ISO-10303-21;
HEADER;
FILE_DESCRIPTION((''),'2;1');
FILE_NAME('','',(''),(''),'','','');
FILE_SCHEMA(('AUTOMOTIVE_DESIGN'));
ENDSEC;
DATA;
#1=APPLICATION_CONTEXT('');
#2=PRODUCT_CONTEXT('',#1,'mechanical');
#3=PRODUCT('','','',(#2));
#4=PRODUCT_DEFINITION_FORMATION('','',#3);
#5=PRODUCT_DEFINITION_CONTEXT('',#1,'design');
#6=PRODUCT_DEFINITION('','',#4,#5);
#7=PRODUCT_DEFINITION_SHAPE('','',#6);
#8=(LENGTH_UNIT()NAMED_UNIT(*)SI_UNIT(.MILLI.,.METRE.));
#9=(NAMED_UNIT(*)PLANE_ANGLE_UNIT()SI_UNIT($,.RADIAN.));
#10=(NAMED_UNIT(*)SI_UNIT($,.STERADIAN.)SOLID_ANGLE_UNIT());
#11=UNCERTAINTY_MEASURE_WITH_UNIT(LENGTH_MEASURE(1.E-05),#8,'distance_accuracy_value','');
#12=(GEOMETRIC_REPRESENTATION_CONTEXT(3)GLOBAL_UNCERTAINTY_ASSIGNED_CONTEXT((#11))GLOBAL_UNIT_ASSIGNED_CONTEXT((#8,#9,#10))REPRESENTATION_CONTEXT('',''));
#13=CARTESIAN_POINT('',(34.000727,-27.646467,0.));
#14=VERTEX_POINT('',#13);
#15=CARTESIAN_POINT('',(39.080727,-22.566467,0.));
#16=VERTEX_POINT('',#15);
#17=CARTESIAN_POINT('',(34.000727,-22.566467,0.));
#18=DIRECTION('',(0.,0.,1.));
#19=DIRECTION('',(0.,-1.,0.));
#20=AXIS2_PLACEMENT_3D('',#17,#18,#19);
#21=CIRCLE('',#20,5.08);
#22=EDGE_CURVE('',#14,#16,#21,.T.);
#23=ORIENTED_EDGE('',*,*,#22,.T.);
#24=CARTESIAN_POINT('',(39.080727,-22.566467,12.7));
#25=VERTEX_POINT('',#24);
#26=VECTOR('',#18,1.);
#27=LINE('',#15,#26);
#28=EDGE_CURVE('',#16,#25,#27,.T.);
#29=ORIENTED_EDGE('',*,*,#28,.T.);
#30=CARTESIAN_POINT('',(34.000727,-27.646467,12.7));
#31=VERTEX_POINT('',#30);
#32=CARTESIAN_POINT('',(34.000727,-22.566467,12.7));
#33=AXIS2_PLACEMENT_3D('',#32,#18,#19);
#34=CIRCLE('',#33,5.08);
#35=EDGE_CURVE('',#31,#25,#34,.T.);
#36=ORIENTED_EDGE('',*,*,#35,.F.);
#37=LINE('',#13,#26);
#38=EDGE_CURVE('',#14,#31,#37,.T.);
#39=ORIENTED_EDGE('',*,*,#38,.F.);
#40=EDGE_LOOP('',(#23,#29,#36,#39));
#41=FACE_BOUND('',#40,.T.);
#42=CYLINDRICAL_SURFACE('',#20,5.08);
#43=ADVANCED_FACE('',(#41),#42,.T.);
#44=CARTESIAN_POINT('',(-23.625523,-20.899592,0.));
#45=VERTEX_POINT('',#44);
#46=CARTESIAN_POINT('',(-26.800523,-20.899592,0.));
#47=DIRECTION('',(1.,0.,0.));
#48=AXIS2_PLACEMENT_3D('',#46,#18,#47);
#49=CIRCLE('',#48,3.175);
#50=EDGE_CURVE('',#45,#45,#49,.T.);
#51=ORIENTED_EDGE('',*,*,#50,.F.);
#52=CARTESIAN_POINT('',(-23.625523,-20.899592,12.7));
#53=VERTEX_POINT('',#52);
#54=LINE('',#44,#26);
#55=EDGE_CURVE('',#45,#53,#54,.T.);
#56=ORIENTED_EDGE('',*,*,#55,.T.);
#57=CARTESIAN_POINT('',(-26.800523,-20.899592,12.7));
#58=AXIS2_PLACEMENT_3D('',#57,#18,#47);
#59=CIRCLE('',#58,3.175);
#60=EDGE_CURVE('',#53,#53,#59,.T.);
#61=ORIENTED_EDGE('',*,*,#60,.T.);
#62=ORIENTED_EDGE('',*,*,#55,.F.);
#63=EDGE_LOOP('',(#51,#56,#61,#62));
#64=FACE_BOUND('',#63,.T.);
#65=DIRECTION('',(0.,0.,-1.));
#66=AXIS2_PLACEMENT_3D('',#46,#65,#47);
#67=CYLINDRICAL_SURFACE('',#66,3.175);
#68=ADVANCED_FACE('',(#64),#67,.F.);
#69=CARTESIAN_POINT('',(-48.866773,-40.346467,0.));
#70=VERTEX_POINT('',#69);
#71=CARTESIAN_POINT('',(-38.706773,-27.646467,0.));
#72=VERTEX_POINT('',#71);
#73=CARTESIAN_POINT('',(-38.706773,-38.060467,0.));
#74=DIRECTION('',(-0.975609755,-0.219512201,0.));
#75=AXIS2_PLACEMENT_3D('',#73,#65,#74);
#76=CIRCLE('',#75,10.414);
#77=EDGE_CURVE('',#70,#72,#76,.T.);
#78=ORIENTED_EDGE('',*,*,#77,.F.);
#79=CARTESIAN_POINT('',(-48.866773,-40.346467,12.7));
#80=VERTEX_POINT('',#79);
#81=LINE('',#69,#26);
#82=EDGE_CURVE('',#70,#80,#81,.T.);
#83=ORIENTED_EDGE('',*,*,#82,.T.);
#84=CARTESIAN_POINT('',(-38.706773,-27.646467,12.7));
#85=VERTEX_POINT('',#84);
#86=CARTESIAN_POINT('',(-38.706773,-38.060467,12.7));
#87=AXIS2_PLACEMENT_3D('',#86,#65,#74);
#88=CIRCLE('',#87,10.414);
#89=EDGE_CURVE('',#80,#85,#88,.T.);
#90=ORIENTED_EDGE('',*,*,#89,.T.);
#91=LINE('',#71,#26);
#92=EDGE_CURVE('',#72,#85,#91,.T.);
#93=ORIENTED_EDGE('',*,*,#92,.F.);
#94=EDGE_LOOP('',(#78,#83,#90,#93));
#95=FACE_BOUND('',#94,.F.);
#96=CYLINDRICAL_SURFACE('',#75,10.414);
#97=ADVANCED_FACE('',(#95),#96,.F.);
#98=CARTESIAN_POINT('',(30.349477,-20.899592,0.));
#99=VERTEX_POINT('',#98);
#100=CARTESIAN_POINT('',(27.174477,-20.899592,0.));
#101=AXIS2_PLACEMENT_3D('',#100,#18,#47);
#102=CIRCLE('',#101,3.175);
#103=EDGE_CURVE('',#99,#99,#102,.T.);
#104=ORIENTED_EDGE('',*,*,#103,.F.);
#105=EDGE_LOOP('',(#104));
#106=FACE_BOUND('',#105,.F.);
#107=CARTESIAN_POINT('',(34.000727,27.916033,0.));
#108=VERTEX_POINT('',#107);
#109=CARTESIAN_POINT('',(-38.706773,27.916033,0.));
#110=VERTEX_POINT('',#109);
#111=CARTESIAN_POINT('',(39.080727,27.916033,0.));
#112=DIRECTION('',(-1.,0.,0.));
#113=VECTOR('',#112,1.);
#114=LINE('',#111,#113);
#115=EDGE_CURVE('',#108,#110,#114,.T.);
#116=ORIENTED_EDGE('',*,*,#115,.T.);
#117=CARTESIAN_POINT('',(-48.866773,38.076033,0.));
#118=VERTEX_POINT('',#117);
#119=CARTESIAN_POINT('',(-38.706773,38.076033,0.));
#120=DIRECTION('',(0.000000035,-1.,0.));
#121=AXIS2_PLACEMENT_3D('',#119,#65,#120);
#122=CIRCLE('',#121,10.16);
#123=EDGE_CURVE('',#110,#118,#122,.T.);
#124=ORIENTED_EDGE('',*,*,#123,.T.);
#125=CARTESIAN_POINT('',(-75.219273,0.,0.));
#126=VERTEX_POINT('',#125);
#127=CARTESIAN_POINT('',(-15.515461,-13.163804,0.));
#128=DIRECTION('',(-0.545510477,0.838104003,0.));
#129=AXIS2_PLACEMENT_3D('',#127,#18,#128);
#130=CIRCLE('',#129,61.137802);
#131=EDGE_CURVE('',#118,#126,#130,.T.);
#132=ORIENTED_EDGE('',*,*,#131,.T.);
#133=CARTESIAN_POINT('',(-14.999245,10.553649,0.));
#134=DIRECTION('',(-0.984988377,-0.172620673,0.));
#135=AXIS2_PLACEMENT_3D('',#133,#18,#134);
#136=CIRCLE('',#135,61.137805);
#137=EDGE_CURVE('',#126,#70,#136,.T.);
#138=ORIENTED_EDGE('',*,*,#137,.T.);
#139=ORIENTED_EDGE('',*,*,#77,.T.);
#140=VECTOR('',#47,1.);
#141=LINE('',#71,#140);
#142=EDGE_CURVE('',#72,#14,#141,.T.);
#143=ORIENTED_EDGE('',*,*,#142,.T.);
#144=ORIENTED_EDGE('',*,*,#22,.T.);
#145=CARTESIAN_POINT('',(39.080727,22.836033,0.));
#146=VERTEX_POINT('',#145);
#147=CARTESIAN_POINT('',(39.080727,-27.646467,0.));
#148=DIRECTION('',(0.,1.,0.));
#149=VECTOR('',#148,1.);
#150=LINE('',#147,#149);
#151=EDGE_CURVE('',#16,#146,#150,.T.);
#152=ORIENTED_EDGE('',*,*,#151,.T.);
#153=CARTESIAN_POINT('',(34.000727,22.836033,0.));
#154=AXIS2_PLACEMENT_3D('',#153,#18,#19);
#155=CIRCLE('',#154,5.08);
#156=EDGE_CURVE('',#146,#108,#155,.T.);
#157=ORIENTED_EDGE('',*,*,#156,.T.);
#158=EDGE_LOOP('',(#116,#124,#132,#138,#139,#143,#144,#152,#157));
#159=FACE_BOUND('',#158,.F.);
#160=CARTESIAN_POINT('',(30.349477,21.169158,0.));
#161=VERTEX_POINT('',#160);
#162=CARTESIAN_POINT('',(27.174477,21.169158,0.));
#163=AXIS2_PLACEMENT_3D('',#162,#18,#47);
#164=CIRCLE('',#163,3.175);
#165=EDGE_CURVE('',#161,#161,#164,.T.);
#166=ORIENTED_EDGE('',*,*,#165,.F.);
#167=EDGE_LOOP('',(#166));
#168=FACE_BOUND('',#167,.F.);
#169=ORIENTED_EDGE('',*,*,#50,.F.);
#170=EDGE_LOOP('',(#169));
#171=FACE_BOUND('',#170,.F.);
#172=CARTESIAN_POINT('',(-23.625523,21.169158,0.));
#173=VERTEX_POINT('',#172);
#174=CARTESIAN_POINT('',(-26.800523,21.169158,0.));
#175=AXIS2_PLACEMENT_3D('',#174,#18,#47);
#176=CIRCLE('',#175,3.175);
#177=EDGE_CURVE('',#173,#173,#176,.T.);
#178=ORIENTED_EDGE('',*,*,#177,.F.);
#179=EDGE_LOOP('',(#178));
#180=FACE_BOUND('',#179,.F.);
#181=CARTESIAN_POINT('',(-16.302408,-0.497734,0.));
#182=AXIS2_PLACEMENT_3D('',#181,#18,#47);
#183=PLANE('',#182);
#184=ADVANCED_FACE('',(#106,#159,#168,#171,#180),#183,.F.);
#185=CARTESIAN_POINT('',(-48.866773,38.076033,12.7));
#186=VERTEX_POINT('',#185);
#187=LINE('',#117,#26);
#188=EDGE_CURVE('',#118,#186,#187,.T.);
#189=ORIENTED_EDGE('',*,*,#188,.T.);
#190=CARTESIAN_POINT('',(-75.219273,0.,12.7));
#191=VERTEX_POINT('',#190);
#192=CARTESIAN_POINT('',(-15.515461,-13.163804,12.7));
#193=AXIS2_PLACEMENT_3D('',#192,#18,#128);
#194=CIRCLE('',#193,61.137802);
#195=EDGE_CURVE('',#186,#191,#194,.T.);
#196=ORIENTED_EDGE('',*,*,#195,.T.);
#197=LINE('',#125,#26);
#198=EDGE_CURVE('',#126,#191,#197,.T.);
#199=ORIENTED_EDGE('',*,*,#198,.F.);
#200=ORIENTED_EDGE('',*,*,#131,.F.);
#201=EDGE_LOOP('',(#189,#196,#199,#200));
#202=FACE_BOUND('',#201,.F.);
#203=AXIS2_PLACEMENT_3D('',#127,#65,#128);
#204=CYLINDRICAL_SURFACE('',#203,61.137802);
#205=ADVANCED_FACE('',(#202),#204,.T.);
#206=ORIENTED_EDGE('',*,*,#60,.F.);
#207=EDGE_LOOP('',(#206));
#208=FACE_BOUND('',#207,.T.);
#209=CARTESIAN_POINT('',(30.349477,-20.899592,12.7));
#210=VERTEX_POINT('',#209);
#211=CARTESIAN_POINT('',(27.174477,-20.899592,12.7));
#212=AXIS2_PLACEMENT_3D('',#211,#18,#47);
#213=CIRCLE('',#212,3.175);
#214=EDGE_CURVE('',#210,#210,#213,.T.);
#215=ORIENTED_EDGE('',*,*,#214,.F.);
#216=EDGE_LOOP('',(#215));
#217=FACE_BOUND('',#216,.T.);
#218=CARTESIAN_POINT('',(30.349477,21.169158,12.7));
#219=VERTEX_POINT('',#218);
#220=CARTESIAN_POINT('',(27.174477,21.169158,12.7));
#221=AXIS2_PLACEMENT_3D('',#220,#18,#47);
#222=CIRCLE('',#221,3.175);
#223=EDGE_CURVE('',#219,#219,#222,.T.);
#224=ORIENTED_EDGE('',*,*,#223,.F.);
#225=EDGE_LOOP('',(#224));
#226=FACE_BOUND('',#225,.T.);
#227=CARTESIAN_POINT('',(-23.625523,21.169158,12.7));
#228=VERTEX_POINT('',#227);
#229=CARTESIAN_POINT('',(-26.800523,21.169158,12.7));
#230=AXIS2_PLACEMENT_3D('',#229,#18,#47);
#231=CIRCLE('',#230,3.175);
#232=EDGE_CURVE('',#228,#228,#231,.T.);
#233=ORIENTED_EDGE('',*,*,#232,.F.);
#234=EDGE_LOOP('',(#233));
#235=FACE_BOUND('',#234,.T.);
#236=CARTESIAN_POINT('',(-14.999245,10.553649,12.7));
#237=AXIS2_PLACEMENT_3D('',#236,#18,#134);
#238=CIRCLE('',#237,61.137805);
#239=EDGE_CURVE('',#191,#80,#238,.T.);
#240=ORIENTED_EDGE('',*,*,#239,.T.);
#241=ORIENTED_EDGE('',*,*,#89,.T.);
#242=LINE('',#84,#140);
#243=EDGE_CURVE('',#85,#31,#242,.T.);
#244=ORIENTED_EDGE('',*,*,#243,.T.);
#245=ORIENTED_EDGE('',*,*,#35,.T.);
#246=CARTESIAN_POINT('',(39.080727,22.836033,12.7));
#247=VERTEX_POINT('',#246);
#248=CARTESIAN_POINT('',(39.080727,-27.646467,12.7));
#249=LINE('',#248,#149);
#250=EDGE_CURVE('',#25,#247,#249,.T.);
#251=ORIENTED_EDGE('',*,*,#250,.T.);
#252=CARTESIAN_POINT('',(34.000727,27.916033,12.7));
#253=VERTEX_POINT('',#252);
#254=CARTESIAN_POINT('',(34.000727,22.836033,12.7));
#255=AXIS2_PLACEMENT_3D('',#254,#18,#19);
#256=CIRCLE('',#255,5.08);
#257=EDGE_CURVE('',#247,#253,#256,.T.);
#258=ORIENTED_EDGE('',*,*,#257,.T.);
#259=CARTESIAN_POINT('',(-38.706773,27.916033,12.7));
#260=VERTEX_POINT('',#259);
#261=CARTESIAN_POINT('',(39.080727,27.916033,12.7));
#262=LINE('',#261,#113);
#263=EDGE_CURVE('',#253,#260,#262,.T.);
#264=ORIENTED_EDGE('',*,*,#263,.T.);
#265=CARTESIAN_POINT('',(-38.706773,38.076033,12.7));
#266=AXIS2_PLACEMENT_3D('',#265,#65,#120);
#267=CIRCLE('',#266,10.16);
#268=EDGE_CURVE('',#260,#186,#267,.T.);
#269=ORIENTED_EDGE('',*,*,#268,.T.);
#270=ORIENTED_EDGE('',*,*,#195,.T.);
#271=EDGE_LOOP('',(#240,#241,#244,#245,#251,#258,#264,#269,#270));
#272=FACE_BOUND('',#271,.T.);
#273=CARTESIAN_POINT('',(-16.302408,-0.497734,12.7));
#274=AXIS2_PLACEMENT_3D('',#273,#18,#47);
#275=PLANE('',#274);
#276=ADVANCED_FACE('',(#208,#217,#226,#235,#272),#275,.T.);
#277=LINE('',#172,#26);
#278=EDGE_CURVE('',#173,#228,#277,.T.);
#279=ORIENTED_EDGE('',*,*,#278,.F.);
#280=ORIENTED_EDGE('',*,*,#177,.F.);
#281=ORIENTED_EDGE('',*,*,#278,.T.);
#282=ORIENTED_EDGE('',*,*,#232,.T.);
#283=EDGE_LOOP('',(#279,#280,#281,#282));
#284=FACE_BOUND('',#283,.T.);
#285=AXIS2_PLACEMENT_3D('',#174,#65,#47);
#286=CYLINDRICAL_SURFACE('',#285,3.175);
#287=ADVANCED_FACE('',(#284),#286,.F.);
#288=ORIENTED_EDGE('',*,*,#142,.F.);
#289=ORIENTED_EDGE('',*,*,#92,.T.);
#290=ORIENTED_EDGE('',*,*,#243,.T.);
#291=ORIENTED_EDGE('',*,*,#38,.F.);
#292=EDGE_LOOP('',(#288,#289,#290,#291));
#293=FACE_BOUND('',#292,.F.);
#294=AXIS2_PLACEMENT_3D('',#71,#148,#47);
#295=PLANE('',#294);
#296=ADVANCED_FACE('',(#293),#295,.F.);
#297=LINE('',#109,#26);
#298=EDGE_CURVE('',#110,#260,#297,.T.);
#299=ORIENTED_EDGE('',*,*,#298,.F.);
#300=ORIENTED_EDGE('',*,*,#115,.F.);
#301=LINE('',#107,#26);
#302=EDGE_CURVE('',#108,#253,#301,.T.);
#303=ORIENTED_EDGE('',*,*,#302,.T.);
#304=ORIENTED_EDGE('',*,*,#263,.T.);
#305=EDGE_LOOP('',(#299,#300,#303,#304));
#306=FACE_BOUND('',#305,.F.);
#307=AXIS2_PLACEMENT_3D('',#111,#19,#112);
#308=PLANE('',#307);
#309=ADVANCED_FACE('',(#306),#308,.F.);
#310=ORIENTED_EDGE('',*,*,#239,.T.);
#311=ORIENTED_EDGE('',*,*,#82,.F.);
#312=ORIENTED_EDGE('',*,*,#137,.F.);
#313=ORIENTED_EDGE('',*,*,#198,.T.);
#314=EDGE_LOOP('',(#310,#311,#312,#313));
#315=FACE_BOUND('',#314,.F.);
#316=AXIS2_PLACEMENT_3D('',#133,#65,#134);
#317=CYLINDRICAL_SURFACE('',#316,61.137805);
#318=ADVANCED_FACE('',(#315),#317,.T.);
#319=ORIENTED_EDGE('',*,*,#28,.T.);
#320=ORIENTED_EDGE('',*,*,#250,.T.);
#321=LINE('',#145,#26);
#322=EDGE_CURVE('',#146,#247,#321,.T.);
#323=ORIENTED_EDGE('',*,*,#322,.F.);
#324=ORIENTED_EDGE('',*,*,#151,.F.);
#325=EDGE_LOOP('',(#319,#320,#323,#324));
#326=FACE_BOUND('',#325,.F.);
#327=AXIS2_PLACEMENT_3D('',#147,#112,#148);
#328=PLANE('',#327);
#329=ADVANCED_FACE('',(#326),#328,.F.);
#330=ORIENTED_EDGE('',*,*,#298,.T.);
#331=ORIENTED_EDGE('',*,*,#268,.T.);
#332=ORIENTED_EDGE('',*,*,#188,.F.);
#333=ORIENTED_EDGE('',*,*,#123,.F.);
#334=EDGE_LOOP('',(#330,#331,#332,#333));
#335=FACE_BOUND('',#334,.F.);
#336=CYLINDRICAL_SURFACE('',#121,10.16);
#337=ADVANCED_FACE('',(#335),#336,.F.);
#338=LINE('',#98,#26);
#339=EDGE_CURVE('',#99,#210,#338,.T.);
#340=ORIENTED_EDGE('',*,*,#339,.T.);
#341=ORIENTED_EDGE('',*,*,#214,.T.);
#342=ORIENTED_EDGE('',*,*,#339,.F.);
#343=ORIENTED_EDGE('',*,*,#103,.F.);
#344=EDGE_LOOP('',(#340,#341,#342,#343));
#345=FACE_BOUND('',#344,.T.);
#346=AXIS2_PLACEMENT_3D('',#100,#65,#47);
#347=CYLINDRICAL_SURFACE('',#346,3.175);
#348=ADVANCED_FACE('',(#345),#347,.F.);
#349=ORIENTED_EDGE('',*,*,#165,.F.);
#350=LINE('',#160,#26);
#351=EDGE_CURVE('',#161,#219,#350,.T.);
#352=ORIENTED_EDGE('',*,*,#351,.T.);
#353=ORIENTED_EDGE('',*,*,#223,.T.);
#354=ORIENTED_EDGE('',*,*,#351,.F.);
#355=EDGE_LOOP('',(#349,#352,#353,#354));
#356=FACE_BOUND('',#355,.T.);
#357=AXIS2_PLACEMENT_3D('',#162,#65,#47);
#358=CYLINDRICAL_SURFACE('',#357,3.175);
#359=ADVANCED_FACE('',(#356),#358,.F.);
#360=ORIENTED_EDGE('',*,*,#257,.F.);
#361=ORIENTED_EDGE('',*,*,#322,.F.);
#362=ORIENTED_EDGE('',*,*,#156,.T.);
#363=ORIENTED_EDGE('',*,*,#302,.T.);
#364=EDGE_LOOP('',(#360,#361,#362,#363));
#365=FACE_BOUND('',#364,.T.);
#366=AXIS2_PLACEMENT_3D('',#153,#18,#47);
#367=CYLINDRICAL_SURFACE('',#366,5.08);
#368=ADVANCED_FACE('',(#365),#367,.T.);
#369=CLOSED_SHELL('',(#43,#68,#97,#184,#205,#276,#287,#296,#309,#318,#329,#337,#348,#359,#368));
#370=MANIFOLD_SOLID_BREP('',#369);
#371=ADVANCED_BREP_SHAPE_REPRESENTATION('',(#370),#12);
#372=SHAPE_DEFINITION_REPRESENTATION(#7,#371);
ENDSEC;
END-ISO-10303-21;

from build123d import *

# Parameters (mm, degrees)
F0_R     = 3.175
F1_DEPTH = 12.7
F2_R     = 5.08


with BuildPart() as f1:
    # F0 (on Top) → F1 (new body)
    with BuildSketch(Plane.XY):
        with BuildLine():
            Line((-38.706773, -27.646467), (39.080727, -27.646467))
            Line((39.080727, -27.646467), (39.080727, 27.916033))
            Line((39.080727, 27.916033), (-38.706773, 27.916033))
            ThreePointArc((-38.706773, 27.916033), (-45.890978, 30.891828), (-48.866773, 38.076033))
            ThreePointArc((-48.866773, 38.076033), (-65.787323, 21.629454), (-75.219273, 0))
            ThreePointArc((-75.219273, 0), (-66.185927, -22.879192), (-48.866773, -40.346467))
            ThreePointArc((-48.866773, -40.346467), (-46.838741, -31.554893), (-38.706773, -27.646467))
        make_face()
        with Locations((-26.800523, -20.899592)):
            Circle(F0_R, mode=Mode.SUBTRACT)
        with Locations((27.174477, -20.899592)):
            Circle(F0_R, mode=Mode.SUBTRACT)
        with Locations((-26.800523, 21.169158)):
            Circle(F0_R, mode=Mode.SUBTRACT)
        with Locations((27.174477, 21.169158)):
            Circle(F0_R, mode=Mode.SUBTRACT)
    extrude(amount=F1_DEPTH)

    # F2
    f2_edges = [f1.edges().sort_by_distance(p)[0] for p in [
        (39.080727, -27.646467, 6.35),
        (39.080727, 27.916033, 6.35),
    ]]
    fillet(f2_edges, radius=F2_R)


solid = f1.part
